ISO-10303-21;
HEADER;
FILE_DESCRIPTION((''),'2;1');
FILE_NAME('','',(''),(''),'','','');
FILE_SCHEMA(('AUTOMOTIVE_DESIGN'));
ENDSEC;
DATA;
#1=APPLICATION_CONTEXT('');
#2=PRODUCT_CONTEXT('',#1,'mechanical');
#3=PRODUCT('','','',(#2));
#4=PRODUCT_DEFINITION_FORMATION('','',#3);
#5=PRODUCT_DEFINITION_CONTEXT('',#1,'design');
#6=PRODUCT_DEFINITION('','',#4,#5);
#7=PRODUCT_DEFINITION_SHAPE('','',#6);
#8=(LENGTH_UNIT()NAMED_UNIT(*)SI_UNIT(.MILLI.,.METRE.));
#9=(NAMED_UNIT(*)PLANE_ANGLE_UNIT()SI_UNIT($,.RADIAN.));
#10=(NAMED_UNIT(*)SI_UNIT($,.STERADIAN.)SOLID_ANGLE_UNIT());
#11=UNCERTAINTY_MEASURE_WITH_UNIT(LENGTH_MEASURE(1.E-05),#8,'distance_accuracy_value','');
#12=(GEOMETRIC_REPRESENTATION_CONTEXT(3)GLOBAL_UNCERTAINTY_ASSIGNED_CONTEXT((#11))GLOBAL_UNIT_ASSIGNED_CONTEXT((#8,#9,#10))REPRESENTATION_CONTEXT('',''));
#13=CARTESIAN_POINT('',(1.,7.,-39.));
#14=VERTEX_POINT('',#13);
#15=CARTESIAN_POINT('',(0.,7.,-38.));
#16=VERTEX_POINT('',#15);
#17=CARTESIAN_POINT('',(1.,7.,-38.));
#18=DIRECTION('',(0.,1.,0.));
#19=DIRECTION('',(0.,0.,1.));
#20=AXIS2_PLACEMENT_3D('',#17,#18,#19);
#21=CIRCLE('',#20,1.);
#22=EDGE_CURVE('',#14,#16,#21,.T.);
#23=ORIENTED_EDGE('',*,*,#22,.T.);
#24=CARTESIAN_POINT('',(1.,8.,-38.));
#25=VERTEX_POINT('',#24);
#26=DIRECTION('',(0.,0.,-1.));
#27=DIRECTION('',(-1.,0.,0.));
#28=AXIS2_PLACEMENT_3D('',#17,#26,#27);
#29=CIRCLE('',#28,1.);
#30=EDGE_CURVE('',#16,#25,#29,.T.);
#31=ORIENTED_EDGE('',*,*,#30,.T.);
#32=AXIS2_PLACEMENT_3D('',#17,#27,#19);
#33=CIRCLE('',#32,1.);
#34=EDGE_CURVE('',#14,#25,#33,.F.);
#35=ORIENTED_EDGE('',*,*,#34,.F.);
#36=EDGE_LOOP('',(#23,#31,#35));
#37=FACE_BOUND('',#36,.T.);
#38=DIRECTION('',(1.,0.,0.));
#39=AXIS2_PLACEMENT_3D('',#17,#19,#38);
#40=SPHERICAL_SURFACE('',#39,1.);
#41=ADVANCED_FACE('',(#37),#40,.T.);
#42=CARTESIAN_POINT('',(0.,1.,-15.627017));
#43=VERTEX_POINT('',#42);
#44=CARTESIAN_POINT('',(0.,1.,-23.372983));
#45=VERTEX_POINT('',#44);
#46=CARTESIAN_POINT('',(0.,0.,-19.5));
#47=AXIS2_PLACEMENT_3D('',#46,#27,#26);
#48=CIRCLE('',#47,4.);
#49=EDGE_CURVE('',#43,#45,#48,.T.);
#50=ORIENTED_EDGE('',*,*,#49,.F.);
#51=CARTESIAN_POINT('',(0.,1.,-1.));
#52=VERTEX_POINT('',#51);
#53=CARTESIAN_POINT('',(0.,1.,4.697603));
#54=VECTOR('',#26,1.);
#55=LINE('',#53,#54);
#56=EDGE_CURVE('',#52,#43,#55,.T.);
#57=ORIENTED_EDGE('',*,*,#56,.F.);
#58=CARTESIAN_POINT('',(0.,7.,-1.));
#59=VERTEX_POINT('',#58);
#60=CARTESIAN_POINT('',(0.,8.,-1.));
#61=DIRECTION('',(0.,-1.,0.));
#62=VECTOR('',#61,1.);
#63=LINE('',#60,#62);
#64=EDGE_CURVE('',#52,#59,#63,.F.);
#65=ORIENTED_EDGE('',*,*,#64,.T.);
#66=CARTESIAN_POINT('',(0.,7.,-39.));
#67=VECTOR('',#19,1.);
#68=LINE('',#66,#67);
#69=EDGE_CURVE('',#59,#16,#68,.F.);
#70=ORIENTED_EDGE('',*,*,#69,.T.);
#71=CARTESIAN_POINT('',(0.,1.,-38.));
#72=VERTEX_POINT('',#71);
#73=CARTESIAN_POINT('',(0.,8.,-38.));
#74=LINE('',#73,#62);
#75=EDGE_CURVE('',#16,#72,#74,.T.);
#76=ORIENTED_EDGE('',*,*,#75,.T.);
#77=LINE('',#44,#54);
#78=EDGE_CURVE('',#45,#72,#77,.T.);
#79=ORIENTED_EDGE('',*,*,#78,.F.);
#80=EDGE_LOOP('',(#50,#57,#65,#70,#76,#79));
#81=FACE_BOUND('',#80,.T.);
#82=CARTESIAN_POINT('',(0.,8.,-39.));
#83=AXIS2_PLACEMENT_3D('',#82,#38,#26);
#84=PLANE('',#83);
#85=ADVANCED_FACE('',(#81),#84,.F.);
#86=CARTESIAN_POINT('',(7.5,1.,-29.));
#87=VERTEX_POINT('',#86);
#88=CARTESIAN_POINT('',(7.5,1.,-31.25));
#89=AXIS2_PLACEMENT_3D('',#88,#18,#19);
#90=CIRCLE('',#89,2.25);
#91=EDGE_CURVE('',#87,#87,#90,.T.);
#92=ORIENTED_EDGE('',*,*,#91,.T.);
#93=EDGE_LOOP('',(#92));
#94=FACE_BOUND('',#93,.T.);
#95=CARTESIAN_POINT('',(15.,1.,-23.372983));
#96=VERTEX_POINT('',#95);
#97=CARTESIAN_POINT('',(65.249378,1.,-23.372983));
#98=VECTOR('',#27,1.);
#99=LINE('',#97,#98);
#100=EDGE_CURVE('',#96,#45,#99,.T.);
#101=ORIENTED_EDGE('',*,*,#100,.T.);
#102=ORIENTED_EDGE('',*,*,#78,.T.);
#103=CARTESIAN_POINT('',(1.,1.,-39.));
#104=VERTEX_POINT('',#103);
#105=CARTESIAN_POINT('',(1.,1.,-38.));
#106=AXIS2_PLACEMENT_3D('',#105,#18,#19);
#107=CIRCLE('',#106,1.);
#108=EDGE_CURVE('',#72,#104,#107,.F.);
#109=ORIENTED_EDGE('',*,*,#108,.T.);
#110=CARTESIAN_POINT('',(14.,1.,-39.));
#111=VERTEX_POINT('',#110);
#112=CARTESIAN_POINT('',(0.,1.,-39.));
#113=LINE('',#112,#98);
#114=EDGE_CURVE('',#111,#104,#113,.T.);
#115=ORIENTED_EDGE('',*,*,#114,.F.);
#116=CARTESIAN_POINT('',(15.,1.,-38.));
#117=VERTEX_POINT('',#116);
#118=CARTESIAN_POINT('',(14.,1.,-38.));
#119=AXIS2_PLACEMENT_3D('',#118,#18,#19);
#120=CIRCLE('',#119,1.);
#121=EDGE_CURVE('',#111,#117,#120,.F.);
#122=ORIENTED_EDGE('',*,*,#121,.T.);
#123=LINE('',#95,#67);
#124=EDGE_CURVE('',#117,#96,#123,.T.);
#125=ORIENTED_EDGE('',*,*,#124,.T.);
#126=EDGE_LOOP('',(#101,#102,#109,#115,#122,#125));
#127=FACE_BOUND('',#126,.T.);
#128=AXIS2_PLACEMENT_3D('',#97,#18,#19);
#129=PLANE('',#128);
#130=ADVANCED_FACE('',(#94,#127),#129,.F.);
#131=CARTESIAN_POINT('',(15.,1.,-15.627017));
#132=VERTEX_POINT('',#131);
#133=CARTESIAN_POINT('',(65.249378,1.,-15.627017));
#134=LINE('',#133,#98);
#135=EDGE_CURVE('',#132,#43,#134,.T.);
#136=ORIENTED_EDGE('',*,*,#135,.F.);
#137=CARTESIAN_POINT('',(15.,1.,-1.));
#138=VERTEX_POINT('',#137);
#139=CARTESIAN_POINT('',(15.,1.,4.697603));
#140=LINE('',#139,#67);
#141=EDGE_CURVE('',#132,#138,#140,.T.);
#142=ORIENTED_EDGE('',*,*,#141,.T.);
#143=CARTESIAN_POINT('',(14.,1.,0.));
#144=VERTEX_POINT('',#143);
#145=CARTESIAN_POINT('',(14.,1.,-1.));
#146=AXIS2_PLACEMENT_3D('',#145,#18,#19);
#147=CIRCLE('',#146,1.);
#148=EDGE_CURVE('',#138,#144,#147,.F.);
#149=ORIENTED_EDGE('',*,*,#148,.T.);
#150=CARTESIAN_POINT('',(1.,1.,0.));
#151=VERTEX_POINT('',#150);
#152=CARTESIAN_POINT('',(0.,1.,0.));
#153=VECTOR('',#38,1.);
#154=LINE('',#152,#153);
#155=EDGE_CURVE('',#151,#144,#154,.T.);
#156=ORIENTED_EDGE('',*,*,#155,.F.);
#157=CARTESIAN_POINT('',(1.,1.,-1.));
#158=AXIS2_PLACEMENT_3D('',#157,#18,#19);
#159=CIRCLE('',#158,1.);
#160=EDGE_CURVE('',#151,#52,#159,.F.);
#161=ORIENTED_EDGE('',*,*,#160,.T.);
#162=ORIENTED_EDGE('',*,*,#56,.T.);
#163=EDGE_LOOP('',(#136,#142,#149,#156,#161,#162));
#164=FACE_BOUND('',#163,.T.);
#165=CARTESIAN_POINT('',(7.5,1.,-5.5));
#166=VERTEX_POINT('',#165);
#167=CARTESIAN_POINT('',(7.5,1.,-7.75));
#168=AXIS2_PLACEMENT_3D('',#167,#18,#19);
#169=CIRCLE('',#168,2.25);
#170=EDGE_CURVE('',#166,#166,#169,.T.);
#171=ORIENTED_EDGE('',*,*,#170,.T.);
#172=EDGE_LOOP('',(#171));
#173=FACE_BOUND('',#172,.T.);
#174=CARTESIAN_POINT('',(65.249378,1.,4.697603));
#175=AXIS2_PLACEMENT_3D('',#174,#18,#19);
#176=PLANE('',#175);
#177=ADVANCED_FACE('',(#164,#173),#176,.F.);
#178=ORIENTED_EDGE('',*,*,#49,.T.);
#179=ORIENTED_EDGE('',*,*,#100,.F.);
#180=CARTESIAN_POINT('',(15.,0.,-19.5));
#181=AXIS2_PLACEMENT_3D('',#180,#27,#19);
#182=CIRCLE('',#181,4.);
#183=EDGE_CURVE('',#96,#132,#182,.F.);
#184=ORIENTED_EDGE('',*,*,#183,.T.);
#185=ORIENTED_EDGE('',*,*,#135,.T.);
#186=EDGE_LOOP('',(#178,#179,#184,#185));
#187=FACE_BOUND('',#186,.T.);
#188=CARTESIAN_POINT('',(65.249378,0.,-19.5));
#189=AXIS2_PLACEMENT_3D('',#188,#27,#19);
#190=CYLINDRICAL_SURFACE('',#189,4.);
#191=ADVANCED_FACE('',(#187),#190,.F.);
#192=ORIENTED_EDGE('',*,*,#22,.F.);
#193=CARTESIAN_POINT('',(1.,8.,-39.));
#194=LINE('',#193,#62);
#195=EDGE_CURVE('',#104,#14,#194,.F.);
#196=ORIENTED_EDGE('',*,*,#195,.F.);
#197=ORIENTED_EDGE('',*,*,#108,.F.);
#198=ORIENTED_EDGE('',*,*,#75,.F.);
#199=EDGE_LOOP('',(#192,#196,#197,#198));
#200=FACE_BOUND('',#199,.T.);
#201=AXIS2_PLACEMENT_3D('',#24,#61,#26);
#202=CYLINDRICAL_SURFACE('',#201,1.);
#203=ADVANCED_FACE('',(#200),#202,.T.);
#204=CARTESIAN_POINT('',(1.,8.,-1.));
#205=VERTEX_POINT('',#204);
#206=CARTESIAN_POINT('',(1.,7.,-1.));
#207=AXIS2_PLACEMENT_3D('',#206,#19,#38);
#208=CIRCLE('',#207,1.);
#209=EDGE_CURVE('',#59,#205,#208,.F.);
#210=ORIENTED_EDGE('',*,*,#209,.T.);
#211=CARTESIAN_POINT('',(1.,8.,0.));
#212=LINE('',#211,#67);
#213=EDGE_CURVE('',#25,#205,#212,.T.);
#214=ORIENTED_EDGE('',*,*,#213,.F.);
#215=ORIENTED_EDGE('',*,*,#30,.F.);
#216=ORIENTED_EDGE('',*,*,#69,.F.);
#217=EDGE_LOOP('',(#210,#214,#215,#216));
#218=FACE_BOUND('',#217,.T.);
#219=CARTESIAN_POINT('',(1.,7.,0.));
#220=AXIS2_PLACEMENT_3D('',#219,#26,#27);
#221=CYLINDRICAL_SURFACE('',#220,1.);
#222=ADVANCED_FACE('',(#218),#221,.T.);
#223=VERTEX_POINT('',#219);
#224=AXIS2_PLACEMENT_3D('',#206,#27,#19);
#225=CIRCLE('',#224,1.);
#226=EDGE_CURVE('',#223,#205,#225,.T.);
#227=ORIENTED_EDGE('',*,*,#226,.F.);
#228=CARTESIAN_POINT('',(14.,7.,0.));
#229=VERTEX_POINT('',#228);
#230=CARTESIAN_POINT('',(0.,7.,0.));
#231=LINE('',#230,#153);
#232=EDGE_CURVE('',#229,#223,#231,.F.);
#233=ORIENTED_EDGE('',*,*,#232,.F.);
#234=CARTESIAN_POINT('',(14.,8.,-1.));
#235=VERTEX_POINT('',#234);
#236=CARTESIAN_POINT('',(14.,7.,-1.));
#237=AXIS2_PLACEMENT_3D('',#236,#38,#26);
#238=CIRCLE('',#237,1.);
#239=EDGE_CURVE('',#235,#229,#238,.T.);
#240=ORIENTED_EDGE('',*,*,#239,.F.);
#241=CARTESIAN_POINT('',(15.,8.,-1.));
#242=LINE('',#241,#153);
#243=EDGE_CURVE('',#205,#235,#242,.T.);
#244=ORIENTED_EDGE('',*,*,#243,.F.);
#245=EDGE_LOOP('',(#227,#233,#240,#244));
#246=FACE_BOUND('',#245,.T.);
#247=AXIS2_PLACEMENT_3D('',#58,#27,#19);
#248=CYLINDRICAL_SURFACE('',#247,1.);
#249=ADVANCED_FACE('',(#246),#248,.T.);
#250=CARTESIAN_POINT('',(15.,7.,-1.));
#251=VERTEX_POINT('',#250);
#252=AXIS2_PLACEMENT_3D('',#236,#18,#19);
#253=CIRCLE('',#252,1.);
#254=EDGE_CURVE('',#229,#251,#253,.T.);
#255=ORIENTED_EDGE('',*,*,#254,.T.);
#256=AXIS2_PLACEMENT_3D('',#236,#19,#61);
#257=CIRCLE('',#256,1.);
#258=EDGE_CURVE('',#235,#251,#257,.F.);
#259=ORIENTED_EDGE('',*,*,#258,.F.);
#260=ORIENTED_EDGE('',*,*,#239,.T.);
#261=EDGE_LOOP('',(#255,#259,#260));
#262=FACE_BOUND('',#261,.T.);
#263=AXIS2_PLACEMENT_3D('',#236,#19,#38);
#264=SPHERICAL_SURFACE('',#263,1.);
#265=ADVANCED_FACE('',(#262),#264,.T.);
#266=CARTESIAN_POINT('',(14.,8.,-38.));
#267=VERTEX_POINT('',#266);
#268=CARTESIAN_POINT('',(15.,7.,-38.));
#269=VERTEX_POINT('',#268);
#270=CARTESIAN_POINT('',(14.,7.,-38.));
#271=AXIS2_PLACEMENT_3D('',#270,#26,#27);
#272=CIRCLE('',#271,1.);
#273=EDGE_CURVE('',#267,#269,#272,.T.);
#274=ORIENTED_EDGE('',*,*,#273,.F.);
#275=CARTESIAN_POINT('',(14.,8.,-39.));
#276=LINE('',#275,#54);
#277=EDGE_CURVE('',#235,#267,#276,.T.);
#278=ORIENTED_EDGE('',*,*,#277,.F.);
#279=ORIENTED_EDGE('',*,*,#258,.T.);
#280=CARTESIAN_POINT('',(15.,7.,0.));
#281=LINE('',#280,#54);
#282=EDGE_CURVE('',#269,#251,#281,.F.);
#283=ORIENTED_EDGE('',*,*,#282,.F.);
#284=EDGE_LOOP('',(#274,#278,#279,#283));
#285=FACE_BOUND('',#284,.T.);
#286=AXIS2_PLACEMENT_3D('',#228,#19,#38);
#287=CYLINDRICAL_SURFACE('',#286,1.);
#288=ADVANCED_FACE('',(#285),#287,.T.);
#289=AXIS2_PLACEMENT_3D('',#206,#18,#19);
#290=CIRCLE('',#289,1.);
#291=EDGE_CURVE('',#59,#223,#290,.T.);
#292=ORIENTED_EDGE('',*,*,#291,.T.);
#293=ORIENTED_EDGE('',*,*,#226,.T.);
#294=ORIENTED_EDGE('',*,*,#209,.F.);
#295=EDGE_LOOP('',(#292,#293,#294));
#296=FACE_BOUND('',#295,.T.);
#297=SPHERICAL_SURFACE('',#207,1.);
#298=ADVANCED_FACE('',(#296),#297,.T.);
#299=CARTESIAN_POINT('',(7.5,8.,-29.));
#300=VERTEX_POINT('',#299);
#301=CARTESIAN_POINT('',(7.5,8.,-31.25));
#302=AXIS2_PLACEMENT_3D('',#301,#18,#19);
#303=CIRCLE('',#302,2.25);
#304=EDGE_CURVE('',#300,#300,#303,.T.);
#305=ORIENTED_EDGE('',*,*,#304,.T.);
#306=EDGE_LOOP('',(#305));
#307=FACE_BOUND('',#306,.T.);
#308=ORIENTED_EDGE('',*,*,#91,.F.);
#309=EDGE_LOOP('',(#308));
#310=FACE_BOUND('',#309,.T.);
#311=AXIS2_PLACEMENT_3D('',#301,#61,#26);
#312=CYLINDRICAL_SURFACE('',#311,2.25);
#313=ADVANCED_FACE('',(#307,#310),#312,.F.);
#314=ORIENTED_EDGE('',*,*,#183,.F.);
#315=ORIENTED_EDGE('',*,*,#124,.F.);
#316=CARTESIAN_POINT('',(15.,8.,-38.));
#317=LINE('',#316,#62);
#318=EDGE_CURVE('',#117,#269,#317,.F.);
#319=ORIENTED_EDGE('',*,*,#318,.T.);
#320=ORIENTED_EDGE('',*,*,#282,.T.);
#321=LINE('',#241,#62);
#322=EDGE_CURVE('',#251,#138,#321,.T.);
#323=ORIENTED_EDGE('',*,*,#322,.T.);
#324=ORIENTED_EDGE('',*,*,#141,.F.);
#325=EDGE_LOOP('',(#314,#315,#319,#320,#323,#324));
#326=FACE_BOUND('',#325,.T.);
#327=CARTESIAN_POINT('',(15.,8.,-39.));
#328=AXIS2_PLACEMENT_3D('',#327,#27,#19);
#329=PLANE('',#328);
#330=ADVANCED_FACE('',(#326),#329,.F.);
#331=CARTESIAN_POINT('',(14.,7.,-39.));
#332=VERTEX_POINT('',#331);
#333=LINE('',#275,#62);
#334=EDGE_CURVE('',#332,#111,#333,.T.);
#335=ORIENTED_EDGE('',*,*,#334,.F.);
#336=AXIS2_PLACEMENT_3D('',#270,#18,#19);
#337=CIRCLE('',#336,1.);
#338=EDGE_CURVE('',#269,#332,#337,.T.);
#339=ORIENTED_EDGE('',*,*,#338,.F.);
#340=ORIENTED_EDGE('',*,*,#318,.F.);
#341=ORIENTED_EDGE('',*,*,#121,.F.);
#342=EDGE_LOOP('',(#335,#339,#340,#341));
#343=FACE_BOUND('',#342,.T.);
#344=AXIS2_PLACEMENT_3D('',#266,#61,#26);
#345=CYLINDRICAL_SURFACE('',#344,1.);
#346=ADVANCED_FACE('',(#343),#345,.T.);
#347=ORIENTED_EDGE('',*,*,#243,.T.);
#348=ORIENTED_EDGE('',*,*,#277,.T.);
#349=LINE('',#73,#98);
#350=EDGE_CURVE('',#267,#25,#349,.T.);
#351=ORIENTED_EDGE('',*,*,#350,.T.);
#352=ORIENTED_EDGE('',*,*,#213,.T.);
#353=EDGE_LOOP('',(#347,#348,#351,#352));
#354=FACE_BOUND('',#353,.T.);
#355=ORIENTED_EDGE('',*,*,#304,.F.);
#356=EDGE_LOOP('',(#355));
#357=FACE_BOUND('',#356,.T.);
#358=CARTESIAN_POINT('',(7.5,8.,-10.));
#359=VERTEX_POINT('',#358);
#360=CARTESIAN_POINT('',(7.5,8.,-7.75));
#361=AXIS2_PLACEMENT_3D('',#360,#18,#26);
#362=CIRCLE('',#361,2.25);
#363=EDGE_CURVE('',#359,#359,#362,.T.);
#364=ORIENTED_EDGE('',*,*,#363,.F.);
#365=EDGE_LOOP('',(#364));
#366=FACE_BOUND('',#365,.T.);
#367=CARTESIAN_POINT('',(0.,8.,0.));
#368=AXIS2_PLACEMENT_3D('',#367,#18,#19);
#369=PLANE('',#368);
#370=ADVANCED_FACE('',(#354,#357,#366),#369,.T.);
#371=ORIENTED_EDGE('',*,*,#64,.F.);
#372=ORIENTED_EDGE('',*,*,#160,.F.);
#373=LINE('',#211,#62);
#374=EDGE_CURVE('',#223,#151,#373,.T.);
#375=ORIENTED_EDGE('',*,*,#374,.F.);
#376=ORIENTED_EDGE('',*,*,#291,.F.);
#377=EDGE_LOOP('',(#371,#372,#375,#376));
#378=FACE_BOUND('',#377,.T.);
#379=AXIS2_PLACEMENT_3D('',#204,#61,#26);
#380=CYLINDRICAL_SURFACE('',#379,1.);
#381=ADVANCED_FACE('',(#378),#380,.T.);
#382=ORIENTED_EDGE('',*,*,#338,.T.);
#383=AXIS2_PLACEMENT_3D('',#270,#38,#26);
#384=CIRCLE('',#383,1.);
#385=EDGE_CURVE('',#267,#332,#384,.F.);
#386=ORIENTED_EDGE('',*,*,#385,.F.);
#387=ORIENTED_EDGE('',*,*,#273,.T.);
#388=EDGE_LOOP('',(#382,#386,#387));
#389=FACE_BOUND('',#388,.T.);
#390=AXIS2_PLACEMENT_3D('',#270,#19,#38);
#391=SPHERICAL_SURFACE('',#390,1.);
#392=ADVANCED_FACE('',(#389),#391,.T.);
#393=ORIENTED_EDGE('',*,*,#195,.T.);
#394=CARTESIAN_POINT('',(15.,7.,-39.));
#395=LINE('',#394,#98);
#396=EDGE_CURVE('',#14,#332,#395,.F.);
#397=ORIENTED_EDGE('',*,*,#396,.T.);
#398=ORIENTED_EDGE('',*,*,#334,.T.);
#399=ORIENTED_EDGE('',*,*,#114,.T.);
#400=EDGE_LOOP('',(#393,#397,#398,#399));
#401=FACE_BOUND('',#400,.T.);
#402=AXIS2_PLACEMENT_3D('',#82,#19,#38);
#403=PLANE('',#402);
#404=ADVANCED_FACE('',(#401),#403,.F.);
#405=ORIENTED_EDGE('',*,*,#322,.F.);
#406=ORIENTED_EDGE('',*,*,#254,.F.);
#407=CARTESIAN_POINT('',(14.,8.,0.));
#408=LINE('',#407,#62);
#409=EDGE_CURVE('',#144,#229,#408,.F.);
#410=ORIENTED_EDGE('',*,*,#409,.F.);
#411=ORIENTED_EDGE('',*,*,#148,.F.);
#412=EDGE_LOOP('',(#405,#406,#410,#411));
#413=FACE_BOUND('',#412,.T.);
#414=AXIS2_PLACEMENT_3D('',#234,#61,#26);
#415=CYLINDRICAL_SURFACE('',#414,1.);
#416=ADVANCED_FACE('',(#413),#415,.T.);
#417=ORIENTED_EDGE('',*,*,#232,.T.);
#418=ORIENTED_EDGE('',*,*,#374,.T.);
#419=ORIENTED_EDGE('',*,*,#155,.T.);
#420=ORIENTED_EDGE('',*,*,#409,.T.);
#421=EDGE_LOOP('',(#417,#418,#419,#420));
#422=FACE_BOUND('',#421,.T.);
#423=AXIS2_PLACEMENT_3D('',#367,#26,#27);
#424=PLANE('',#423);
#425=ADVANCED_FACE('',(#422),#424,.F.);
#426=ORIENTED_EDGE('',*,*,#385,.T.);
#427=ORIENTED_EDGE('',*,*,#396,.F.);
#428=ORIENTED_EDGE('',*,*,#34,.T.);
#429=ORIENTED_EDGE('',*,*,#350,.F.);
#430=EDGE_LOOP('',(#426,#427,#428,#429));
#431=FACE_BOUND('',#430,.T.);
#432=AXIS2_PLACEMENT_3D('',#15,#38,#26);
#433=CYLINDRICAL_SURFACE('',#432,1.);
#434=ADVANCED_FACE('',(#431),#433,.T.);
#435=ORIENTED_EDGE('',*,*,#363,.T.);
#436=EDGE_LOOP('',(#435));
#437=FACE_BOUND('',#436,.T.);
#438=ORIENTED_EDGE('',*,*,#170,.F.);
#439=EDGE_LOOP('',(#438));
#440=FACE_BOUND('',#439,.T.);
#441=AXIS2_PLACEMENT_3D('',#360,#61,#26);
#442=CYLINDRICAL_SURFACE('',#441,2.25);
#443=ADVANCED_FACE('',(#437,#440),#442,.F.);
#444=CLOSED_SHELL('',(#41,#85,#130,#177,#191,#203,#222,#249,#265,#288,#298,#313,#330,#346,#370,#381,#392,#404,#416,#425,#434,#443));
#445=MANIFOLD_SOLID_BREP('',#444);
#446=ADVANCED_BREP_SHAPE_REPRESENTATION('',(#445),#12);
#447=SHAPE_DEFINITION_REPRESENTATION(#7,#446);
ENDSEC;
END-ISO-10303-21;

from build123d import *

# Parameters (mm, degrees)
SKETCH1_W           = 15
SKETCH1_H           = 39
SKETCH1_R           = 2.25
BOSS_EXTRUDE1_DEPTH = 8
FILLET2_R           = 1
CUT_EXTRUDE1_REACH  = 44.544


with BuildPart() as part:
    # Sketch1 → Boss-Extrude1 (new body)
    with BuildSketch(Plane(origin=(0, 0, 0), x_dir=(1, 0, 0), z_dir=(0, 1, 0))):
        with Locations((7.5, 19.5)):
            Rectangle(SKETCH1_W, SKETCH1_H)
        with Locations(Location((7.5, 31.25, 0), (0, 0, 270))):
            Circle(SKETCH1_R, mode=Mode.SUBTRACT)
        with Locations(Location((7.5, 7.75, 0), (0, 0, 90))):
            Circle(SKETCH1_R, mode=Mode.SUBTRACT)
    extrude(amount=BOSS_EXTRUDE1_DEPTH)

    # Fillet2
    fillet2_edges = [part.edges().sort_by_distance(p)[0] for p in [
        (15, 8, -19.5),
        (7.5, 8, -39),
        (0, 8, -19.5),
        (7.5, 8, 0),
        (0, 4, -39),
        (15, 4, -39),
        (15, 4, 0),
        (0, 4, 0),
    ]]
    fillet(fillet2_edges, radius=FILLET2_R)

    # Cut-Extrude1: up to this face of the body (flat: up to its plane)
    cut_extrude1_end = Plane(part.part.faces().sort_by_distance((15, 3.5, -19.5))[0])
    # Sketch2 → Cut-Extrude1 (cut, up to the picked face)
    with BuildSketch(Plane.ZY, mode=Mode.PRIVATE) as cut_extrude1_sk1:
        with BuildLine():
            Line((-23.372983346, 1), (-45.302397196, 1))
            Line((-45.302397196, 1), (-45.302397196, -1))
            Line((-45.302397196, -1), (4.697602804, -1))
            Line((4.697602804, -1), (4.697602804, 1))
            Line((4.697602804, 1), (-15.627016654, 1))
            ThreePointArc((-15.627016654, 1), (-19.5, 4), (-23.372983346, 1))
        make_face()
    cut_extrude1_tool1 = split(extrude(cut_extrude1_sk1.sketch, amount=-CUT_EXTRUDE1_REACH, mode=Mode.PRIVATE), bisect_by=cut_extrude1_end, keep=Keep.BOTH, mode=Mode.PRIVATE)
    add(cut_extrude1_tool1.solids().sort_by(Axis((0, 0.330412, -20.184541), (1, 0, 0)))[0], mode=Mode.SUBTRACT)


solid = part.part
